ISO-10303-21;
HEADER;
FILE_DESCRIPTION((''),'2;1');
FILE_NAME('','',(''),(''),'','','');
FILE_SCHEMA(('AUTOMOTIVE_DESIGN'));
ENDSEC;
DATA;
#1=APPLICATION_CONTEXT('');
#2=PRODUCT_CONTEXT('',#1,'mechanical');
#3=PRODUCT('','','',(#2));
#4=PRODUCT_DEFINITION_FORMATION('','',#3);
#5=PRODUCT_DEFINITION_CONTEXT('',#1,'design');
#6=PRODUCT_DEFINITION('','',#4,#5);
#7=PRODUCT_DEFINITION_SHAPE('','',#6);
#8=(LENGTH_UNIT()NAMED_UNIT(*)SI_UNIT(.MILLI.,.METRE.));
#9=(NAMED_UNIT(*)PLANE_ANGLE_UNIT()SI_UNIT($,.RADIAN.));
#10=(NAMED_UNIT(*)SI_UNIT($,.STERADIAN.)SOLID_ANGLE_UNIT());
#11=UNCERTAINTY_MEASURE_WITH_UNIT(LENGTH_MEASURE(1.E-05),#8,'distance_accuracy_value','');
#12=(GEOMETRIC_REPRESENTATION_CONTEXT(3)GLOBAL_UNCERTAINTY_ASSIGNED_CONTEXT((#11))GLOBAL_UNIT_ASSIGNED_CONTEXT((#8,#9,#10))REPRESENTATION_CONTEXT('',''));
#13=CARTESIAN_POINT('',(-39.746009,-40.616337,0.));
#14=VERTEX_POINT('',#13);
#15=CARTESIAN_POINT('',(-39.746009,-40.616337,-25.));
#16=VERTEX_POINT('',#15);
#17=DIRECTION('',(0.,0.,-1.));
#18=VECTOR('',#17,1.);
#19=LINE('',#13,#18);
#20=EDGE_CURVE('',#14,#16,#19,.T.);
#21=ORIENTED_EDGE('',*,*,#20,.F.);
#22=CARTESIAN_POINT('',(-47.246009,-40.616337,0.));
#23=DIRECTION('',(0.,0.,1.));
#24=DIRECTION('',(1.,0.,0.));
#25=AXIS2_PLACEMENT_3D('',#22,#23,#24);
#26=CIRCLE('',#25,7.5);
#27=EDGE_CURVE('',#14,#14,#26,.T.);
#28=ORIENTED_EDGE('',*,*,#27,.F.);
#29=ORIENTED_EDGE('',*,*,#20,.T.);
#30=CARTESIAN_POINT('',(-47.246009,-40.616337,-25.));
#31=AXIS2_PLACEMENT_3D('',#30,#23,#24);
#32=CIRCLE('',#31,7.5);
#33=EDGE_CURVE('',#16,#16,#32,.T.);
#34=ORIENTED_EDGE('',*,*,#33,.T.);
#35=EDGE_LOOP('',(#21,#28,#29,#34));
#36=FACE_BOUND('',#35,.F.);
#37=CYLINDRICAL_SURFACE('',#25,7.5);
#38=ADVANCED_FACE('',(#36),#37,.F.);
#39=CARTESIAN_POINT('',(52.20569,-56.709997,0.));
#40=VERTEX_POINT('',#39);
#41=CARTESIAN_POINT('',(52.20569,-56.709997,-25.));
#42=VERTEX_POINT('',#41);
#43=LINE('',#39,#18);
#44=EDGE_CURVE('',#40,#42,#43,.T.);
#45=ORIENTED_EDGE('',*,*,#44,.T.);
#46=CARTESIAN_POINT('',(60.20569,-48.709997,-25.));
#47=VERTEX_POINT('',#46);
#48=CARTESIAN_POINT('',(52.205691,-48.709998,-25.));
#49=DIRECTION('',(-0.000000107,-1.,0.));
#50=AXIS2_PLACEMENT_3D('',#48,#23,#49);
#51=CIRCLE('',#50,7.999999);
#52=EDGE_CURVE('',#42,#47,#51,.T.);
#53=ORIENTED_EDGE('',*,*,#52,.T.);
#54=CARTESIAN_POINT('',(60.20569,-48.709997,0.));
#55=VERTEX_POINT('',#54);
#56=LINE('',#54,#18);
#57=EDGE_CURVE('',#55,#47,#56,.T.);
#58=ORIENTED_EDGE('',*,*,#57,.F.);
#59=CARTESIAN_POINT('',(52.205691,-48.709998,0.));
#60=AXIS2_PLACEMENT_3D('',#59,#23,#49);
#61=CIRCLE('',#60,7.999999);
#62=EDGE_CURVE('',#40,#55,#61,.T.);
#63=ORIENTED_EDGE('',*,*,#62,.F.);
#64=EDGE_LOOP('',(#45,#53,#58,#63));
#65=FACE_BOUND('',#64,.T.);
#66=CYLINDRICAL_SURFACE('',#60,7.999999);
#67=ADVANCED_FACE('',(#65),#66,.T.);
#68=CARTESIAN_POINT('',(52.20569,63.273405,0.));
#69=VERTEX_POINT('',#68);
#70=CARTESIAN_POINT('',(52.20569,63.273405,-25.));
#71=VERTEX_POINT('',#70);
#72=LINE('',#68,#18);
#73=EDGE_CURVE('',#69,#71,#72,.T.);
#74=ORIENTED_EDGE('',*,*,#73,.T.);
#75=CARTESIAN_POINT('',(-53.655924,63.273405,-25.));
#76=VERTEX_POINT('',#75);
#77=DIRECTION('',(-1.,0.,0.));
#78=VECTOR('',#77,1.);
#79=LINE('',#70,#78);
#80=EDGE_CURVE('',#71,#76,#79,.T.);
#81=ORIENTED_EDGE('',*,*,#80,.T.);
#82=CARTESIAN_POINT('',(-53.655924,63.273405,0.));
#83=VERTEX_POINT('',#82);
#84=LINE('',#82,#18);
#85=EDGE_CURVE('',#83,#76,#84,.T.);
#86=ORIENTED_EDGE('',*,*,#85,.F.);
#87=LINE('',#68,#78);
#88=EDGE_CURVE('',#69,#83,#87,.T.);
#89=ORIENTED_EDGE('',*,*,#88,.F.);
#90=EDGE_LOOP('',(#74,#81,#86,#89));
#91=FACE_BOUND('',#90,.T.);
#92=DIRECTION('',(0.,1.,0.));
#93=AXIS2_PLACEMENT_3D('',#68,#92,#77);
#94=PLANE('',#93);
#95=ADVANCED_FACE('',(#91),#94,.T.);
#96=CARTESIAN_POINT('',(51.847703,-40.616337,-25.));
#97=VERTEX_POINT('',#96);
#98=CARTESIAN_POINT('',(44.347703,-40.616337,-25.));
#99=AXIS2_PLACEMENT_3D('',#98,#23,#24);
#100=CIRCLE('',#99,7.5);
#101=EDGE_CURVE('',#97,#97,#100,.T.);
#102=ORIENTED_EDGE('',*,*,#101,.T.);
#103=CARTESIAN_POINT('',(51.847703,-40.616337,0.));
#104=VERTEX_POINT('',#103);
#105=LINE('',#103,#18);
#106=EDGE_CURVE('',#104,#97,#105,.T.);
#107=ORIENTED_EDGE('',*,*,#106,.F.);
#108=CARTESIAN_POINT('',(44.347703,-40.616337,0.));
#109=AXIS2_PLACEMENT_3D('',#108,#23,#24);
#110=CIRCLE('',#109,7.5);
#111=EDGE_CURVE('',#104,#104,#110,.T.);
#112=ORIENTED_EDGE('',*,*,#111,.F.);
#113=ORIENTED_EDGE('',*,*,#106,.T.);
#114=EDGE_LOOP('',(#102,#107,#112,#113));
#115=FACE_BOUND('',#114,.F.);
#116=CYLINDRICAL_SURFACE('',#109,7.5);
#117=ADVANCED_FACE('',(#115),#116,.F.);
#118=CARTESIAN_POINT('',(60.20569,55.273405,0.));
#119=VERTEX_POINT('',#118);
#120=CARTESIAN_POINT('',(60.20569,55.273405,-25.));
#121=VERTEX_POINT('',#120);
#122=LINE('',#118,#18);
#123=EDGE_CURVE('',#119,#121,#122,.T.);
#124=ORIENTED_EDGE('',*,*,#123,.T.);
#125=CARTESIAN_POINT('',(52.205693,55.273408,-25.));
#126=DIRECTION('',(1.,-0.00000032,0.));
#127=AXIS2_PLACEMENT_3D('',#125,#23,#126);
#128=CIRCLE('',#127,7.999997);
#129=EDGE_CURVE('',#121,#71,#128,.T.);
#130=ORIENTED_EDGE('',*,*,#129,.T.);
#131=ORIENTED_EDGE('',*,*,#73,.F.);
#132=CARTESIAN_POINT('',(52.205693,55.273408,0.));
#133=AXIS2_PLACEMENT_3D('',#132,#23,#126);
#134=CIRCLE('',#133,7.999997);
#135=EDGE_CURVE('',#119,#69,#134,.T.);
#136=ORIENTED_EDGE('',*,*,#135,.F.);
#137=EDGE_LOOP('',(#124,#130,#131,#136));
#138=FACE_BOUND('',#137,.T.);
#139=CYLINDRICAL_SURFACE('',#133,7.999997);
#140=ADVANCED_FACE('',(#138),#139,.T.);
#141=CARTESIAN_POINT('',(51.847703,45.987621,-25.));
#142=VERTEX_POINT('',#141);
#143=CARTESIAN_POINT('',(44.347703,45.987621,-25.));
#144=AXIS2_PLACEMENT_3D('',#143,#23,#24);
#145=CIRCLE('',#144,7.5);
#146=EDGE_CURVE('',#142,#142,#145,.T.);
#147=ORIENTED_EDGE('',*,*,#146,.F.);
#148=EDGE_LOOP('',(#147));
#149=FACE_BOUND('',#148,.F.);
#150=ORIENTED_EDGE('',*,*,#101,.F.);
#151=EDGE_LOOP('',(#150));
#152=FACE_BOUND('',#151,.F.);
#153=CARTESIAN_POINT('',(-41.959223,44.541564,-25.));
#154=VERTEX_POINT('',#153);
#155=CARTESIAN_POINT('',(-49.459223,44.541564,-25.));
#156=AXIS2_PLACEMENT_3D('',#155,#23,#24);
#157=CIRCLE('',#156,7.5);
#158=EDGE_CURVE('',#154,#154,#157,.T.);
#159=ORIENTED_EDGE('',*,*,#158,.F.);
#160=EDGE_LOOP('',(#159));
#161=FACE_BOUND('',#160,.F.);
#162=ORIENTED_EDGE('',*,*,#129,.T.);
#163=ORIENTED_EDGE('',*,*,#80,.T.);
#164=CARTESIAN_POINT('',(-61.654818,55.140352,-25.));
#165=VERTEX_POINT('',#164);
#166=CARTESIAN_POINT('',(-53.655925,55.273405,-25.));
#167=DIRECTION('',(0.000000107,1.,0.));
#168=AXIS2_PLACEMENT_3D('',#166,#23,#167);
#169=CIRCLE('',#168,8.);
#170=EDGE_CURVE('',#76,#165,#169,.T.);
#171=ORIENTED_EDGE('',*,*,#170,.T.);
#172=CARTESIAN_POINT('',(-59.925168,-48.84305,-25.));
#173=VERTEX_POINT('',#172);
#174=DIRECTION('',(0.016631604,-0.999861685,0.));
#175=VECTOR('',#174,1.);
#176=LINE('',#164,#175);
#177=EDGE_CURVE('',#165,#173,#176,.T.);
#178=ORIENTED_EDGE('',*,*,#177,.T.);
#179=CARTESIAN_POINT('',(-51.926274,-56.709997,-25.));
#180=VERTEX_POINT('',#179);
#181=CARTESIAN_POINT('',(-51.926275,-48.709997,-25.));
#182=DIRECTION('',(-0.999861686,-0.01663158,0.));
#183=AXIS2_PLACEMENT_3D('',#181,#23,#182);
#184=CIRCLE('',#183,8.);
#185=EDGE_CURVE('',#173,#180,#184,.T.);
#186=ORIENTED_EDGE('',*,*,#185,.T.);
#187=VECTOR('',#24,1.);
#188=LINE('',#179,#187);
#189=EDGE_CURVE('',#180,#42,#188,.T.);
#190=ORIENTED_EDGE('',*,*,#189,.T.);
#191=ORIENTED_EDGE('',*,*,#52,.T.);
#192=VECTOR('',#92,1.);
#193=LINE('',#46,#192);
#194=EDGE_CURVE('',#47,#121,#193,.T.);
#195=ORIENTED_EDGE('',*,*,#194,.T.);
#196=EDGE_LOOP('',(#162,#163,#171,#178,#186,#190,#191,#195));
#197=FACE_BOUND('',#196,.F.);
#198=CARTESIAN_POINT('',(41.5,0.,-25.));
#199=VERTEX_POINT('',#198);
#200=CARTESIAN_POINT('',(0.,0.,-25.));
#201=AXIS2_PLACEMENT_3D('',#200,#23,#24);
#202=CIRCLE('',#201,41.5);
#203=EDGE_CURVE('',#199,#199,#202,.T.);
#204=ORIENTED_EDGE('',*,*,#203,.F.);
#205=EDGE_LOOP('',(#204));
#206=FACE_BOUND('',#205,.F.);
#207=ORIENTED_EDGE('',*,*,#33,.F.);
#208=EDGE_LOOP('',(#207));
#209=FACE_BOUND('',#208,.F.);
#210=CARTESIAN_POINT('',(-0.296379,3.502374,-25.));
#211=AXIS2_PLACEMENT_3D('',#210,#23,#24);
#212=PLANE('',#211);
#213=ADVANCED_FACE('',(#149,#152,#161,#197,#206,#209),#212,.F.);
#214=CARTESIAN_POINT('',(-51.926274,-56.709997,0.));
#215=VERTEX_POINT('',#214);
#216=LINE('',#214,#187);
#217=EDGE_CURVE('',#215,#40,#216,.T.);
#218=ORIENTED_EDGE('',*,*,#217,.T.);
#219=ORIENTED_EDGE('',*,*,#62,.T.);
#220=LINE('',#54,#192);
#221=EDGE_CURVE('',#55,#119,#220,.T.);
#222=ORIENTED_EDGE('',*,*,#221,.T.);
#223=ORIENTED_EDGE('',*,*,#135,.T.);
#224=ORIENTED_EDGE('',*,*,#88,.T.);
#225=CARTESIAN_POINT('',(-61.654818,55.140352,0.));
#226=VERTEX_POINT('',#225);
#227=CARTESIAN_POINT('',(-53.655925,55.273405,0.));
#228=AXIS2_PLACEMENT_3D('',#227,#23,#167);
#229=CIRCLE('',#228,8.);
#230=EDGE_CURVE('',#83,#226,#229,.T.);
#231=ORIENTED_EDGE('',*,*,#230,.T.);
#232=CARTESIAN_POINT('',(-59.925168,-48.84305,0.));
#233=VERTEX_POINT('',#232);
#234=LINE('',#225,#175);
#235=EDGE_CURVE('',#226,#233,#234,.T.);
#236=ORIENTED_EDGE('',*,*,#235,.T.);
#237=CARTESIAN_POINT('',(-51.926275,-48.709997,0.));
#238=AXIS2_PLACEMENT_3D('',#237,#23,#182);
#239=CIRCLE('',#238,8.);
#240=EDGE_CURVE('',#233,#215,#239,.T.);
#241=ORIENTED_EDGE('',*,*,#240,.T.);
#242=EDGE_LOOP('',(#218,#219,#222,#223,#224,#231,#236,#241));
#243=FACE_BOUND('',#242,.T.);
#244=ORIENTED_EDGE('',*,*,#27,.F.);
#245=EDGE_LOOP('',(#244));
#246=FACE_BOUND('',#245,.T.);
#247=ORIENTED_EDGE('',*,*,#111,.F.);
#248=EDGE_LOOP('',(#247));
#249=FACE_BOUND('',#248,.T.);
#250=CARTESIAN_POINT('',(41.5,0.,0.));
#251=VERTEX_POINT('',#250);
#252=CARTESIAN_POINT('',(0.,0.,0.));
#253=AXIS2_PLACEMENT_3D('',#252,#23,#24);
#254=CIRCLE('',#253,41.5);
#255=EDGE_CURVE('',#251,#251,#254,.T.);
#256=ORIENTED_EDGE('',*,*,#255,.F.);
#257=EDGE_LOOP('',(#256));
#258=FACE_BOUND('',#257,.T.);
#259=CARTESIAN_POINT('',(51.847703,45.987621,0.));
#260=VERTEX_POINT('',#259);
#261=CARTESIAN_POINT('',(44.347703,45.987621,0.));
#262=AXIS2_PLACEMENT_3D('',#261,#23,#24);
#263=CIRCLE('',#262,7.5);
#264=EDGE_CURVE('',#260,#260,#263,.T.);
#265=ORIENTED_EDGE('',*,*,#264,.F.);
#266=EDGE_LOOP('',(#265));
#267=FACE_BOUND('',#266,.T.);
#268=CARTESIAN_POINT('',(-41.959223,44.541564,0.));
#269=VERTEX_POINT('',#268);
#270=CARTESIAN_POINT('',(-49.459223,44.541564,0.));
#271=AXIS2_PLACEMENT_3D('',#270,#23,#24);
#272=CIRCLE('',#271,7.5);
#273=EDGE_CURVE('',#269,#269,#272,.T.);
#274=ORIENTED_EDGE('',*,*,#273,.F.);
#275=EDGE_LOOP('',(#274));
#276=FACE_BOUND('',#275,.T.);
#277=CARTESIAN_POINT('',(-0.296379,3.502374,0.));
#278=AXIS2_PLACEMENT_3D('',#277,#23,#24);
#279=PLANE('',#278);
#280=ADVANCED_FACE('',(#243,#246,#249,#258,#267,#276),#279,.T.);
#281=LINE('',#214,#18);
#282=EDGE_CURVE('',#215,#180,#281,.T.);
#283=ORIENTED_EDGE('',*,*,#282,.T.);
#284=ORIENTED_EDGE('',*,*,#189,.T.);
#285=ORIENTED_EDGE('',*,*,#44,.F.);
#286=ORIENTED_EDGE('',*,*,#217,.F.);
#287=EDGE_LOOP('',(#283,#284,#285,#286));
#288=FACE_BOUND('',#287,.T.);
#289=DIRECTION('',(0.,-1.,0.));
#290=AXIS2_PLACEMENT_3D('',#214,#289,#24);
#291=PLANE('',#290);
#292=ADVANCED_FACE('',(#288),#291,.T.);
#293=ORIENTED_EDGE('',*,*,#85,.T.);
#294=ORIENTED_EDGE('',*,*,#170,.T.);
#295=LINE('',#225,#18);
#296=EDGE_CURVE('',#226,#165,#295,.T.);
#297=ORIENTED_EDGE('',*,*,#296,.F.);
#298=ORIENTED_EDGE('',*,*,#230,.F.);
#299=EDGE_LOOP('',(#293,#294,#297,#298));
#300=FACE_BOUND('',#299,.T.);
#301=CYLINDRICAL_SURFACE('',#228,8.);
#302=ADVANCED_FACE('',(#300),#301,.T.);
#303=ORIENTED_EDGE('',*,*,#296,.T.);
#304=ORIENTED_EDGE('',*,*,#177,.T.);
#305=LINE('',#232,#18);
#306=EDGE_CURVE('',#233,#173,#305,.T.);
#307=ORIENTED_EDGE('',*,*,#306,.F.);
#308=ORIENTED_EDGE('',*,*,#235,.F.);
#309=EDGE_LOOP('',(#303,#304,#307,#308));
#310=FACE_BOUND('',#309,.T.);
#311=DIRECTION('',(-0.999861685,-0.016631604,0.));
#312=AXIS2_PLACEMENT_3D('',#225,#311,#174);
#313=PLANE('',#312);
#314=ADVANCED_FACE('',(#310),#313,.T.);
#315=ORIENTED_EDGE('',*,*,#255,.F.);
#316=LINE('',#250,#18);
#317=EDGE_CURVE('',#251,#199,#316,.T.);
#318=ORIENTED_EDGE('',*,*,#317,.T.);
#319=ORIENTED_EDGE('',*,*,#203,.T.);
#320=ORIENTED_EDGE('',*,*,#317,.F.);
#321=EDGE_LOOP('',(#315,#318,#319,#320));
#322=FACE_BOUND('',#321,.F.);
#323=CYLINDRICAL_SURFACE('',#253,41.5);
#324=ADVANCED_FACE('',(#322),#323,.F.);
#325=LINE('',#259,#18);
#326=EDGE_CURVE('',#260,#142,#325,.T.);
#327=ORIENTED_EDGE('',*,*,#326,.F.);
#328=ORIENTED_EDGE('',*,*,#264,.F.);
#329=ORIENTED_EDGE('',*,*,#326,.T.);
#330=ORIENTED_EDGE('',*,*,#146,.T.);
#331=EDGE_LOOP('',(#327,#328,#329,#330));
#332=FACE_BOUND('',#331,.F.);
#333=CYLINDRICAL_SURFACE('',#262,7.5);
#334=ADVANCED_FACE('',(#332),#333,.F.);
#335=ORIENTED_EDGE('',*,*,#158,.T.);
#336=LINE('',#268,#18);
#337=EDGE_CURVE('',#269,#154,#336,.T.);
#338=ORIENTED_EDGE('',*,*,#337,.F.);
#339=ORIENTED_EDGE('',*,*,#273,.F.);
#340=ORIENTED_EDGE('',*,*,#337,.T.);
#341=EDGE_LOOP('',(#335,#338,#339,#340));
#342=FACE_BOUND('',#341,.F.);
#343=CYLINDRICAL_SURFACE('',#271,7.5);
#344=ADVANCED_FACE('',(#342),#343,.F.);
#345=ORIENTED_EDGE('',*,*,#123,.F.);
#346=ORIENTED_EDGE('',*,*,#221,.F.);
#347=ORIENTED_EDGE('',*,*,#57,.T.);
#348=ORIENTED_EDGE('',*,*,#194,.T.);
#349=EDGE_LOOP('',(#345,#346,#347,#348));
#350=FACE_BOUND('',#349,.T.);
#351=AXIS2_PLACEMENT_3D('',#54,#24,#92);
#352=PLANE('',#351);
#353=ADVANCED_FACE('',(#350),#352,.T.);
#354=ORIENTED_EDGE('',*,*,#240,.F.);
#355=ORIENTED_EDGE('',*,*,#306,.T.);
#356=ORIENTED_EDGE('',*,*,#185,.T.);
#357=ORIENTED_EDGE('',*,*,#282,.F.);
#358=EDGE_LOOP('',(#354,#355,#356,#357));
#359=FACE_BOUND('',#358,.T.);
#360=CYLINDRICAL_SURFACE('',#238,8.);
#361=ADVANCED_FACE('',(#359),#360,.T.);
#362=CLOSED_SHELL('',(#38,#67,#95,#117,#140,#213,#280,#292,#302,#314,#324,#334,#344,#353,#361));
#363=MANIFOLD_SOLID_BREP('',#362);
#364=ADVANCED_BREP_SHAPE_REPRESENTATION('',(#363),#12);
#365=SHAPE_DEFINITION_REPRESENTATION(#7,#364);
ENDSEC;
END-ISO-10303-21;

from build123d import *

# Parameters (mm, degrees)
F0_R     = 7.5
F0_R_2   = 41.5
F1_DEPTH = 25


with BuildPart() as f1:
    # F0 (on Top) → F1 (new body)
    with BuildSketch(Plane.XY):
        with BuildLine():
            ThreePointArc((-59.925168, -48.84305), (-57.53589, -54.413699), (-51.926274, -56.709997))
            Line((-51.926274, -56.709997), (52.20569, -56.709997))
            ThreePointArc((52.20569, -56.709997), (57.862545, -54.366851), (60.20569, -48.709997))
            Line((60.20569, -48.709997), (60.20569, 55.273405))
            ThreePointArc((60.20569, 55.273405), (57.862545, 60.93026), (52.20569, 63.273405))
            Line((52.20569, 63.273405), (-53.655924, 63.273405))
            ThreePointArc((-53.655924, 63.273405), (-59.359626, 60.883021), (-61.654818, 55.140352))
            Line((-61.654818, 55.140352), (-59.925168, -48.84305))
        make_face()
        with Locations((-47.246009, -40.616337)):
            Circle(F0_R, mode=Mode.SUBTRACT)
        with Locations((44.347703, -40.616337)):
            Circle(F0_R, mode=Mode.SUBTRACT)
        Circle(F0_R_2, mode=Mode.SUBTRACT)
        with Locations((-49.459223, 44.541564)):
            Circle(F0_R, mode=Mode.SUBTRACT)
        with Locations((44.347703, 45.987621)):
            Circle(F0_R, mode=Mode.SUBTRACT)
    extrude(amount=-F1_DEPTH)


solid = f1.part
